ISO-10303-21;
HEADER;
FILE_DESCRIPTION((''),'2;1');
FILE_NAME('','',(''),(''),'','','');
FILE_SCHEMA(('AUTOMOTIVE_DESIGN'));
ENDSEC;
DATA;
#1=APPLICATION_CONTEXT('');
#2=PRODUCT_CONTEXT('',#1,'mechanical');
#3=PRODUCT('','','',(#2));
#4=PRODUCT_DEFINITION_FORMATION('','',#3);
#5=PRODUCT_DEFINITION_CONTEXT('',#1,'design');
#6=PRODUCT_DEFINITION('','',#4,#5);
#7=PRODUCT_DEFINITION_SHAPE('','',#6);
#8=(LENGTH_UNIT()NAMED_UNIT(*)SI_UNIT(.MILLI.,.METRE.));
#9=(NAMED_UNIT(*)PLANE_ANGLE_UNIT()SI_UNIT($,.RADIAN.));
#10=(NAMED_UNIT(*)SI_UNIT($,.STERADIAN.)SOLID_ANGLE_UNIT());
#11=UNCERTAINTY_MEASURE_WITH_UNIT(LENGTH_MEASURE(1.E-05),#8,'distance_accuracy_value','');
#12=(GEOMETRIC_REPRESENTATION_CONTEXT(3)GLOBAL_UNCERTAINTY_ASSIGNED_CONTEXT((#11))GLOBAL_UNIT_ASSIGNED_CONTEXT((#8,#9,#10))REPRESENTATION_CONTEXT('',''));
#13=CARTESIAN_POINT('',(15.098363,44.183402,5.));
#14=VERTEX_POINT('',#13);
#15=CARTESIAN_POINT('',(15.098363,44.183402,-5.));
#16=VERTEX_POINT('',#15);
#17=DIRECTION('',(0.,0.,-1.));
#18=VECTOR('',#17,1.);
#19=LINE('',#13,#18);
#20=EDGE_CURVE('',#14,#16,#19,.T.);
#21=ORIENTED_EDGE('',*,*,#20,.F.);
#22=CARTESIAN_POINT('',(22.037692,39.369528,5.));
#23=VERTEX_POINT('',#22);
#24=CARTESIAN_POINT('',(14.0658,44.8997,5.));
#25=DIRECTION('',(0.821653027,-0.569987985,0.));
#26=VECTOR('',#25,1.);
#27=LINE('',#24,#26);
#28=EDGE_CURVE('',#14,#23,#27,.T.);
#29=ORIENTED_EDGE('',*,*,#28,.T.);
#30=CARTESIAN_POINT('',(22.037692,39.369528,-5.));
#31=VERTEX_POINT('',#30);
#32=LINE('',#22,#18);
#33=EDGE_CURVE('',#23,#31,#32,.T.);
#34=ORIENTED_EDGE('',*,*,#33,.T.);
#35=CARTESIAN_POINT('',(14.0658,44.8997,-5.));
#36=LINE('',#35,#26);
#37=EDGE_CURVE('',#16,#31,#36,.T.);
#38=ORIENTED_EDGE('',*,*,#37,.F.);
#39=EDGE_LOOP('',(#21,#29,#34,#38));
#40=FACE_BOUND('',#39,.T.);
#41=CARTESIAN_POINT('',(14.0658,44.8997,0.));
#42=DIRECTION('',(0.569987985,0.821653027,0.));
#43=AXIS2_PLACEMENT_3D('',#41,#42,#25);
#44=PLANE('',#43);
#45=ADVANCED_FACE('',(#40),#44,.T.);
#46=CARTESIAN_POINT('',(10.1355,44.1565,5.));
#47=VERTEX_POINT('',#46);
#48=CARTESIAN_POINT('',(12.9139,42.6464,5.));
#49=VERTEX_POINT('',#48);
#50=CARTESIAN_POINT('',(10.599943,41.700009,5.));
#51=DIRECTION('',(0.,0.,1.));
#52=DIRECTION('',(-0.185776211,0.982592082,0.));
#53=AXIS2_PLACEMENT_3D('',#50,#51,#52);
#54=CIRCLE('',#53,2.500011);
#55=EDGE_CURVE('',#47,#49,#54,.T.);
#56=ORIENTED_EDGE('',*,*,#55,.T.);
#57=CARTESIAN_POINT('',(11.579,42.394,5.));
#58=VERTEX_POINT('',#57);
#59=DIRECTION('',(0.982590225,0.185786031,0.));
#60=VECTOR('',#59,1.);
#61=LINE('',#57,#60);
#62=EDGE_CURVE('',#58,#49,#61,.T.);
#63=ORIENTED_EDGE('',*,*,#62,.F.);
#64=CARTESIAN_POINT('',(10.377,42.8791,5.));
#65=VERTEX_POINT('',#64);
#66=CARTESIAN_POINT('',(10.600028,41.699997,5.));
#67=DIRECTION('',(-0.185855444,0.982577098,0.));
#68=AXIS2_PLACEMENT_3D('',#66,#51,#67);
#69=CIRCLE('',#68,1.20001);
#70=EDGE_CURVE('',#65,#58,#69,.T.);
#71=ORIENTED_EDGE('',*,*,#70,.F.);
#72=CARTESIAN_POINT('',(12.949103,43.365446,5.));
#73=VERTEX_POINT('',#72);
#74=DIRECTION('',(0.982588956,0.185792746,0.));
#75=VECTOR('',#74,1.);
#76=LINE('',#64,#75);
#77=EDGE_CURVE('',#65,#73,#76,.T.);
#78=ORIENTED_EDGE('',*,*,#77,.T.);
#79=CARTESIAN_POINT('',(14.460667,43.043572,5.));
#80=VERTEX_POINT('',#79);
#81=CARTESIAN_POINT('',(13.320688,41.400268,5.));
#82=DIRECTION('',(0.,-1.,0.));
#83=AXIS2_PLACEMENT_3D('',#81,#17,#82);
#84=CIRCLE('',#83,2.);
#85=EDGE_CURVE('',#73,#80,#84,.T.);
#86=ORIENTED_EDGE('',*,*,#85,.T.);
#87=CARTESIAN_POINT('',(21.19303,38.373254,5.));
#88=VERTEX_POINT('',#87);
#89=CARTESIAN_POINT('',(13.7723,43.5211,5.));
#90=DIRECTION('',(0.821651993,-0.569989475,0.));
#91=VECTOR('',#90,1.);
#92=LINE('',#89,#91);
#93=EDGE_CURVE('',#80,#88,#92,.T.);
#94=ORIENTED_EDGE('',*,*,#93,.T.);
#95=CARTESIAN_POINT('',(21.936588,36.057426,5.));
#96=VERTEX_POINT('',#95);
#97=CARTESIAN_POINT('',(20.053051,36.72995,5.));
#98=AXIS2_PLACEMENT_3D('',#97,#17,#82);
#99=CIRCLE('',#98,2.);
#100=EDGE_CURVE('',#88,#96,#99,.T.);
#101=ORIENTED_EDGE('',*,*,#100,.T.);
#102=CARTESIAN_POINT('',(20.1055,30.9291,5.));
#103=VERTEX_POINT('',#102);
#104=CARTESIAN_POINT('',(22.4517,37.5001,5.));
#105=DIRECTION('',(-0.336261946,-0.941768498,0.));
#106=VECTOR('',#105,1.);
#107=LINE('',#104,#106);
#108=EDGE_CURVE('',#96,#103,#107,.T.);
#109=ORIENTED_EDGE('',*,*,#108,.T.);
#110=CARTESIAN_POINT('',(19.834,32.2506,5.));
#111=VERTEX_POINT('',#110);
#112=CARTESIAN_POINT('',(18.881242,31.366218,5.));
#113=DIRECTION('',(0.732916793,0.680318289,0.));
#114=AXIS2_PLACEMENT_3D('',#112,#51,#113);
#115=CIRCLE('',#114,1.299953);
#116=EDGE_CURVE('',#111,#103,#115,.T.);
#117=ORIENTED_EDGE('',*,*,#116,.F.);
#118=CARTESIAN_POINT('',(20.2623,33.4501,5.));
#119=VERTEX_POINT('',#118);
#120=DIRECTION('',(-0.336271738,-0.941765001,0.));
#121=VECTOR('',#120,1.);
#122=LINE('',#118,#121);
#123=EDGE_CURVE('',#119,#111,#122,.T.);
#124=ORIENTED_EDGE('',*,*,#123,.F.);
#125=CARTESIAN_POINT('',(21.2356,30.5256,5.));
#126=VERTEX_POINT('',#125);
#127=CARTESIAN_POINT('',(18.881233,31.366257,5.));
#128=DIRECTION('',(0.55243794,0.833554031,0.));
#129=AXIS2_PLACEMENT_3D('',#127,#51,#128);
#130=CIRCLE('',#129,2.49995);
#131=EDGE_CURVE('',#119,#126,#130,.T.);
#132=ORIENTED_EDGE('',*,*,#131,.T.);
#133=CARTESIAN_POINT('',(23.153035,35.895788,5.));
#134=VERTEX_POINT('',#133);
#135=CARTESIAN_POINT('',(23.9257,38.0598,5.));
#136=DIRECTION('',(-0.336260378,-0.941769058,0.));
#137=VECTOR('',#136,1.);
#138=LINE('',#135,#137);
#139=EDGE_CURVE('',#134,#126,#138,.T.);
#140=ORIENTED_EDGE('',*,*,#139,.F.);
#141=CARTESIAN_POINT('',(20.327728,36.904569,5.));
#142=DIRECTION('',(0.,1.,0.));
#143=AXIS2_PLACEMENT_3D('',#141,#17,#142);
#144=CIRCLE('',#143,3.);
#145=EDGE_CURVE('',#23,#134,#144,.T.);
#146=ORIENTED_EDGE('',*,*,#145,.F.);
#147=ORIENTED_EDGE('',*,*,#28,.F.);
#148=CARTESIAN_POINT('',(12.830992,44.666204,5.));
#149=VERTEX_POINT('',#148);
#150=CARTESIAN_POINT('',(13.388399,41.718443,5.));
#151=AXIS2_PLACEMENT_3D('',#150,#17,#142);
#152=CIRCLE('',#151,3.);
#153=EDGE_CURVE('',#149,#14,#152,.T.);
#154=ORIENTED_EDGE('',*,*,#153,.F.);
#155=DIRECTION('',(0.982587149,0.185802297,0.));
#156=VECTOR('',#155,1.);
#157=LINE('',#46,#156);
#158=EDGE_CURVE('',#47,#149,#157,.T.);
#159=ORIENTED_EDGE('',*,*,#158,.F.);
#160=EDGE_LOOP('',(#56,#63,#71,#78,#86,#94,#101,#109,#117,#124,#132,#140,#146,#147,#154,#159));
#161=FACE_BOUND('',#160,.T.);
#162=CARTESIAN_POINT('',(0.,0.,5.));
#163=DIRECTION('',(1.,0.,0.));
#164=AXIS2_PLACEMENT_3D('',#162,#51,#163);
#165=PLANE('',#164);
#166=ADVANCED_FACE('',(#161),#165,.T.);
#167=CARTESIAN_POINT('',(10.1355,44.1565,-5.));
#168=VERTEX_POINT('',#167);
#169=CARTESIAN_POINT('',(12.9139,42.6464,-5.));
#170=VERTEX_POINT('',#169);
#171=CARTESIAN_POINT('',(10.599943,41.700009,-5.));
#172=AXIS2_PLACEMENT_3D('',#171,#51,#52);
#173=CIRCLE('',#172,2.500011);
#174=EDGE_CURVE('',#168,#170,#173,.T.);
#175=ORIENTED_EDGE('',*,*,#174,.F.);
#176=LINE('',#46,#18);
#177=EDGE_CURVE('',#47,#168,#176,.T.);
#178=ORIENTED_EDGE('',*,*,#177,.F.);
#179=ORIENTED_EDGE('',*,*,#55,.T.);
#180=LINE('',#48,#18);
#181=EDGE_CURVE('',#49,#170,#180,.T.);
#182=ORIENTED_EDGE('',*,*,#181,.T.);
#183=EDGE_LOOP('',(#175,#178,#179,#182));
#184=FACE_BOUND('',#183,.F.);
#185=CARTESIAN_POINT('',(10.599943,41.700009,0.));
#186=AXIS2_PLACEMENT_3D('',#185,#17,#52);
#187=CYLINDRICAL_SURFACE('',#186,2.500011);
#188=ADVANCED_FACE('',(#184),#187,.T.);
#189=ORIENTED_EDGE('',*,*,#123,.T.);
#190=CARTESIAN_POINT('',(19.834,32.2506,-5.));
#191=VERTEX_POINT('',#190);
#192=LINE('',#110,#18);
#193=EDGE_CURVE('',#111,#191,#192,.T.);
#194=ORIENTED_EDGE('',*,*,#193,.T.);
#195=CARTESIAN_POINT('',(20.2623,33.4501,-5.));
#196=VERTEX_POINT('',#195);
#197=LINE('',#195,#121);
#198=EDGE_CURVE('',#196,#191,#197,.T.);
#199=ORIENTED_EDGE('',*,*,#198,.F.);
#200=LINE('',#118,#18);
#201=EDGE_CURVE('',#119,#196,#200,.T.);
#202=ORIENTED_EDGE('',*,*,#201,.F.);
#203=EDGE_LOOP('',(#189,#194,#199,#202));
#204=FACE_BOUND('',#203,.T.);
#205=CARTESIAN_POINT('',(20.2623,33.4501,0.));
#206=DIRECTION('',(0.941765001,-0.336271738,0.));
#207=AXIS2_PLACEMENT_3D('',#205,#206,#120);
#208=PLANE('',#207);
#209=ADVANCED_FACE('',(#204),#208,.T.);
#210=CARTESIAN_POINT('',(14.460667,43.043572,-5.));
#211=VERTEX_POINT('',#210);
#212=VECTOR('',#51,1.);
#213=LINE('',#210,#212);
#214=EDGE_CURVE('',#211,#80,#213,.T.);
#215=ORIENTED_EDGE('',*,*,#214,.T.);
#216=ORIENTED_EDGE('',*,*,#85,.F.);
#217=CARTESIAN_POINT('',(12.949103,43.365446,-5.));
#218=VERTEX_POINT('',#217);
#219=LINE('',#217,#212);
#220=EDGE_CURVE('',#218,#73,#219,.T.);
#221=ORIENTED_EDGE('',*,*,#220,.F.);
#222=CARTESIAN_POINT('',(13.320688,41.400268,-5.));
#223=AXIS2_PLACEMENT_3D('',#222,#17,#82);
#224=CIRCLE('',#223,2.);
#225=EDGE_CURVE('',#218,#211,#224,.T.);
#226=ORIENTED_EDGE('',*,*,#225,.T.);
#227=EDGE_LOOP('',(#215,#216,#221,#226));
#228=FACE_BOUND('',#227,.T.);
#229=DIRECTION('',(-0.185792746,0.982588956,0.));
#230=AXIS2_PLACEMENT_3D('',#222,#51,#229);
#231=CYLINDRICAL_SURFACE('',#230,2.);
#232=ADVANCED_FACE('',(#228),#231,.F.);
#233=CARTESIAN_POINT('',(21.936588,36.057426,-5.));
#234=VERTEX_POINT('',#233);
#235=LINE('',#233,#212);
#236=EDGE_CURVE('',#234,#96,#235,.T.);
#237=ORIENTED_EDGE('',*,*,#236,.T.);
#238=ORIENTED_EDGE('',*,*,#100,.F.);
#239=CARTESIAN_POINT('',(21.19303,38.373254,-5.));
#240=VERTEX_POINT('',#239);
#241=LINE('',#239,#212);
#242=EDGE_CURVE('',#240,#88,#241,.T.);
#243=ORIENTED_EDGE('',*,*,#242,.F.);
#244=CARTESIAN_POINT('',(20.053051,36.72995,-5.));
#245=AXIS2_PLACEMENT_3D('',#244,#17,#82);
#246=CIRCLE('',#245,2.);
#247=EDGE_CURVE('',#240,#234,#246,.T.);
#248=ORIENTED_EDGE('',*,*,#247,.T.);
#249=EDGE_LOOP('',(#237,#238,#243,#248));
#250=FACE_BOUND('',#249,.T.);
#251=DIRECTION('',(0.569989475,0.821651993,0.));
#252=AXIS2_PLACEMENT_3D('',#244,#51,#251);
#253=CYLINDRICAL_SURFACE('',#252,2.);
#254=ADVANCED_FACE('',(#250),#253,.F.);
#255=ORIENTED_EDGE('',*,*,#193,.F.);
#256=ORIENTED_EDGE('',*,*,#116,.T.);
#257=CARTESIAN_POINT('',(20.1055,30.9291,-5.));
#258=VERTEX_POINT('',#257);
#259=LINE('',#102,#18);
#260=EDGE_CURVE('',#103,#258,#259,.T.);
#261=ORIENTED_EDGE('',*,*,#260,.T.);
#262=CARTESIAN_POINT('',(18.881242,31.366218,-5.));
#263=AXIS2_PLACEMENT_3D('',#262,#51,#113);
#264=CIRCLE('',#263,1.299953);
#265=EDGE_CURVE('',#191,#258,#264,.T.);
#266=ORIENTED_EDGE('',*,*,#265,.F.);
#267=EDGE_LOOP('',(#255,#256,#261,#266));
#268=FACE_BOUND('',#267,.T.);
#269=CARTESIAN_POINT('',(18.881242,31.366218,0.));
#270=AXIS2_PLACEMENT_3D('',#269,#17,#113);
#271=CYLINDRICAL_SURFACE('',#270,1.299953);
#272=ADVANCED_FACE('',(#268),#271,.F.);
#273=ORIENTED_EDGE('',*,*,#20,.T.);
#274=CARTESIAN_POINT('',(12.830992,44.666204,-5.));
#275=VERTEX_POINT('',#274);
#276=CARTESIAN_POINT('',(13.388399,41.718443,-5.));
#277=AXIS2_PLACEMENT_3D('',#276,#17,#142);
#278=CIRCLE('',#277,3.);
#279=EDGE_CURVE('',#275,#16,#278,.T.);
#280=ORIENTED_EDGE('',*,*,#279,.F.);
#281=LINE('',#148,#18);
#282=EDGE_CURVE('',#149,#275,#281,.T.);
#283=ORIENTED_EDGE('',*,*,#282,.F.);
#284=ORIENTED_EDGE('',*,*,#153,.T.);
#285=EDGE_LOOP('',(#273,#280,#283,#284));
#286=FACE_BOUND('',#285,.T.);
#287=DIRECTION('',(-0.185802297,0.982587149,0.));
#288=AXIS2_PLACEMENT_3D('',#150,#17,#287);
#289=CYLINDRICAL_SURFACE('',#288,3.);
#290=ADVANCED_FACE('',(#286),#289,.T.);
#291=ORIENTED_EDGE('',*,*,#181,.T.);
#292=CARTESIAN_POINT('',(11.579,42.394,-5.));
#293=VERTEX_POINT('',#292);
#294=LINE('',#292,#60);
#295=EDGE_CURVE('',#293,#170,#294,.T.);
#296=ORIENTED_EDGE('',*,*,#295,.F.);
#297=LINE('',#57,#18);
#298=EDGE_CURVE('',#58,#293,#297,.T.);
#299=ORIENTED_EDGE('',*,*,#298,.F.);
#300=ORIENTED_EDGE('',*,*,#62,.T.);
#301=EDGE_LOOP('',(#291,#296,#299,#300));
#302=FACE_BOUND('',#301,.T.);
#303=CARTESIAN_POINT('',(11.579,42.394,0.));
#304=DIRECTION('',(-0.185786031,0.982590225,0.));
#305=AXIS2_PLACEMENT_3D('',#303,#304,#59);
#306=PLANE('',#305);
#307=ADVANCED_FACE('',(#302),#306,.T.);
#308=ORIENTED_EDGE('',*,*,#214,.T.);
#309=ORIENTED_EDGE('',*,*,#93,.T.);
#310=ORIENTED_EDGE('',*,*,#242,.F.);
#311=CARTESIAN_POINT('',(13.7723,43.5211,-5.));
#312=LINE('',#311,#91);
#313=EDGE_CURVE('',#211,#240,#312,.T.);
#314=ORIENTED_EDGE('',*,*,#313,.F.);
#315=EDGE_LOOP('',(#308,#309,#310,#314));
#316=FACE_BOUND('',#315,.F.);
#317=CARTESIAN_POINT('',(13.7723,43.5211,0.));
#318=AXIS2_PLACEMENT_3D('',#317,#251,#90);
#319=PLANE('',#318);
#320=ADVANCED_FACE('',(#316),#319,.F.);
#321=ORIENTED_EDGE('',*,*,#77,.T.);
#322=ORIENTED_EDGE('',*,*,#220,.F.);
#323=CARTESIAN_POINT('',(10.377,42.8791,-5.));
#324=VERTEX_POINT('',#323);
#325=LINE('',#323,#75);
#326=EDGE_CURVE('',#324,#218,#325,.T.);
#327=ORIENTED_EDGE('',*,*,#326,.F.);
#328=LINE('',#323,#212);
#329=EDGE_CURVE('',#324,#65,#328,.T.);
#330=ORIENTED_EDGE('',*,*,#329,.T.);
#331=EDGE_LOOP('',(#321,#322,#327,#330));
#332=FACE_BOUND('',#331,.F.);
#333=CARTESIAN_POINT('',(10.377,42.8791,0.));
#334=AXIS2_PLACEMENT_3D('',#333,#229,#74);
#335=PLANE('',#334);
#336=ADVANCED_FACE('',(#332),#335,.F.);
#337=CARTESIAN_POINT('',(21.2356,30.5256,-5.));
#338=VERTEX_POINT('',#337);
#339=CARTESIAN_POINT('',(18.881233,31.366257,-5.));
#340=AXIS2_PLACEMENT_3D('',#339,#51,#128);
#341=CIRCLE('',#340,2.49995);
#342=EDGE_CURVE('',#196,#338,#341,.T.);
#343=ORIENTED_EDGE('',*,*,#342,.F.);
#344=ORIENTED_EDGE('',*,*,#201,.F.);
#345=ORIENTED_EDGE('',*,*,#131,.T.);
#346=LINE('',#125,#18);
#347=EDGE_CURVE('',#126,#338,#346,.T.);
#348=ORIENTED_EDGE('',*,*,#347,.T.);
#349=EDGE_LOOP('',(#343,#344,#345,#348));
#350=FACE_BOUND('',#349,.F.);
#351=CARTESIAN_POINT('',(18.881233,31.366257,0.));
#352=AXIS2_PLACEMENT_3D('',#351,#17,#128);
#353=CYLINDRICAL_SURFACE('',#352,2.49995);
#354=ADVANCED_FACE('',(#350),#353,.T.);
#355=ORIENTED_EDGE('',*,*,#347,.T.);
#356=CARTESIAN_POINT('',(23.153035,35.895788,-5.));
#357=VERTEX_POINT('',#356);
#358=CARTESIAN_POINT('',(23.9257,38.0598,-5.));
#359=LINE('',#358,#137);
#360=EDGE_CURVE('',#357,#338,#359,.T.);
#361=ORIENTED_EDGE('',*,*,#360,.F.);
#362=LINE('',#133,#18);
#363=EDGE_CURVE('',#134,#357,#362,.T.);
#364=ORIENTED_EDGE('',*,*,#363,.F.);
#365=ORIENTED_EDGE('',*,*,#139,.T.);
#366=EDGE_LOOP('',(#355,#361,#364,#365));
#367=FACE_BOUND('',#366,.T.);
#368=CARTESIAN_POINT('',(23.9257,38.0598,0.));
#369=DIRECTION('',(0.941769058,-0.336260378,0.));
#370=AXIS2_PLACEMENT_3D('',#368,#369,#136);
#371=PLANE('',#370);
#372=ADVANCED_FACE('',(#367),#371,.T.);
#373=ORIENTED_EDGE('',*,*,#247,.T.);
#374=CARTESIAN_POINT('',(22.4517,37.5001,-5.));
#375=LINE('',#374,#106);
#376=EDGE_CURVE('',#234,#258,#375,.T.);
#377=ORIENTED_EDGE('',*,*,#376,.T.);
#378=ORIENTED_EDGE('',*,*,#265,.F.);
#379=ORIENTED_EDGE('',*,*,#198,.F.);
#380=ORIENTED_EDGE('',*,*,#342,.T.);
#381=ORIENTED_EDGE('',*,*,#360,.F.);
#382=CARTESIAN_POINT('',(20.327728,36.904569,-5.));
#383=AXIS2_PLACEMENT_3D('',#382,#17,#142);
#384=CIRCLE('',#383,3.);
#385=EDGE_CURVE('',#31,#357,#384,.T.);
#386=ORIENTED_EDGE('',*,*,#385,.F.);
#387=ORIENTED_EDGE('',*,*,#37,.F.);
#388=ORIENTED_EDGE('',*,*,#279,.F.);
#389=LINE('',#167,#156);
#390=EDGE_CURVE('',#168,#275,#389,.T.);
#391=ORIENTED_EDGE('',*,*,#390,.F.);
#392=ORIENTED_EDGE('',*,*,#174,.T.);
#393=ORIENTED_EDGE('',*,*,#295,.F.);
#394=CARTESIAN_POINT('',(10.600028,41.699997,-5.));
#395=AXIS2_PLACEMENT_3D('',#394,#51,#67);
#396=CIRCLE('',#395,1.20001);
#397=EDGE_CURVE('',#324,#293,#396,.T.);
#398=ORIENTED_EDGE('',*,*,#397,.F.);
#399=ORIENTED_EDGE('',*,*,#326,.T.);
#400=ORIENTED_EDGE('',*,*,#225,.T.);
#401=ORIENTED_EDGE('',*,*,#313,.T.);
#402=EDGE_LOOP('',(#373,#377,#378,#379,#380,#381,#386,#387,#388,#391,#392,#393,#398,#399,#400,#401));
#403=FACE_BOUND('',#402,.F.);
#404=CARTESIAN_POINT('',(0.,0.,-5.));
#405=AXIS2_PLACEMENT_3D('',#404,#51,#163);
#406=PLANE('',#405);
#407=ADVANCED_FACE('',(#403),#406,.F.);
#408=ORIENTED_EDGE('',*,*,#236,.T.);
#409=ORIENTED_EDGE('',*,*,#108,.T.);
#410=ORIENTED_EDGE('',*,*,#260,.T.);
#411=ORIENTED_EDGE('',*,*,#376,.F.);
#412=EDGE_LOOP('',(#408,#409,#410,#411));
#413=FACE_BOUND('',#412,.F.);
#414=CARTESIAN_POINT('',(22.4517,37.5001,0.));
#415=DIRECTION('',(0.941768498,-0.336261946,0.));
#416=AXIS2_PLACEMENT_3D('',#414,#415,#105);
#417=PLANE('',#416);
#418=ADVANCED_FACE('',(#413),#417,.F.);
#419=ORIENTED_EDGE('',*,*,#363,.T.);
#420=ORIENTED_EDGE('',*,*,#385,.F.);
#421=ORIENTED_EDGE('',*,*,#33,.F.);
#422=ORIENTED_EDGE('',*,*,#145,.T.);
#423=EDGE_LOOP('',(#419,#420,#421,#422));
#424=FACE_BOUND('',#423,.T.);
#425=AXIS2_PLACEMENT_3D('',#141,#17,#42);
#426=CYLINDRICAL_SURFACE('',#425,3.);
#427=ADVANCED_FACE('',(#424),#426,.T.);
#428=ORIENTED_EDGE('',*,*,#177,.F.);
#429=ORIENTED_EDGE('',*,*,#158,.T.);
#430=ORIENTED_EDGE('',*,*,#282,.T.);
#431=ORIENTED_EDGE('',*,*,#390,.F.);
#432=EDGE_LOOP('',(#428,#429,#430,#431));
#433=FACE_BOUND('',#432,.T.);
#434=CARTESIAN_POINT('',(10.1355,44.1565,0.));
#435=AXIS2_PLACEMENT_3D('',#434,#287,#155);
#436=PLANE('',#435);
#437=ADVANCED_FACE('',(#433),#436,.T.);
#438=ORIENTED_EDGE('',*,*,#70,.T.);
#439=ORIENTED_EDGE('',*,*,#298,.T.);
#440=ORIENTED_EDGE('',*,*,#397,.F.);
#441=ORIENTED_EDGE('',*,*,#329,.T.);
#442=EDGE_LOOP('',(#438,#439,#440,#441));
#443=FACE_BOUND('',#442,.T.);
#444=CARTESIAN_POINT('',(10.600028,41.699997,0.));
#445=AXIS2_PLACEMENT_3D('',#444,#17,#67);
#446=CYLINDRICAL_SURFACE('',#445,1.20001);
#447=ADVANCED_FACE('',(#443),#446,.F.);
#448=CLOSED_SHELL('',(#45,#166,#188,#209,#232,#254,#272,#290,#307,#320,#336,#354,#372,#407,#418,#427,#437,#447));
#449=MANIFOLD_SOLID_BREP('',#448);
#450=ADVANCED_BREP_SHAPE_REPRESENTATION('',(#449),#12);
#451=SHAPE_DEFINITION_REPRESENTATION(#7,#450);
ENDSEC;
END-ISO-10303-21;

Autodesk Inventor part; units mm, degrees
ref_plane "YZ Plane" through (0, 0, 0) normal (1, 0, 0) x (0, 1, 0)
ref_plane "XZ Plane" through (0, 0, 0) normal (0, 1, 0) x (-1, 0, 0)
ref_plane "XY Plane" through (0, 0, 0) normal (0, 0, 1) x (1, 0, 0)
sketch "Sketch1" plane through (0, 0, 0) normal (0, 0, 1) x (1, 0, 0)
  arc A0 (10.377, 42.8791) -> (11.579, 42.394) centre (10.6, 41.7) ccw
  arc A1 (10.1355, 44.1565) -> (12.9139, 42.6464) centre (10.6, 41.7) ccw
  arc A2 (20.2623, 33.4501) -> (21.2356, 30.5256) centre (18.8812, 31.3663) ccw
  line L0 (10.1355, 44.1565) -> (14.0658, 44.8997)
  line L1 (14.0658, 44.8997) -> (23.9257, 38.0598)
  line L2 (23.9257, 38.0598) -> (21.2356, 30.5256)
  line L3 (10.377, 42.8791) -> (13.7723, 43.5211)
  line L4 (13.7723, 43.5211) -> (22.4517, 37.5001)
  line L5 (22.4517, 37.5001) -> (20.1055, 30.9291)
  line L6 (11.579, 42.394) -> (12.9139, 42.6464)
  line L7 (20.2623, 33.4501) -> (19.834, 32.2506)
  arc A3 (19.834, 32.2506) -> (20.1055, 30.9291) centre (18.8812, 31.3663) ccw
  line L8 (10.6, 41.7) -> (18.8812, 31.3663) construction
  point P0 (0, 0)
  dimension "d0" = 5
  dimension "d1" = 5
  dimension "d2" = 1.3
  dimension "d5" = 1.3
  dimension "d6" = 12
  dimension "d7" = 4
  dimension "d8" = 8
  dimension "d9" = 0.7
  dimension "d10" = 0.7
  dimension "d11" = 62
  dimension "d12" = 1.2
extrude "Extrusion1" add sketch "Sketch1" along normal mid plane 10
fillet "Fillet1" radius 2 2 edges at (22.4517, 37.5001, 0) (13.7723, 43.5211, 0)
fillet "Fillet1" radius 3 2 edges at (14.0658, 44.8997, 0) (23.9257, 38.0598, 0)
properties part number "Linkage for inset hinge" material "Steel"
